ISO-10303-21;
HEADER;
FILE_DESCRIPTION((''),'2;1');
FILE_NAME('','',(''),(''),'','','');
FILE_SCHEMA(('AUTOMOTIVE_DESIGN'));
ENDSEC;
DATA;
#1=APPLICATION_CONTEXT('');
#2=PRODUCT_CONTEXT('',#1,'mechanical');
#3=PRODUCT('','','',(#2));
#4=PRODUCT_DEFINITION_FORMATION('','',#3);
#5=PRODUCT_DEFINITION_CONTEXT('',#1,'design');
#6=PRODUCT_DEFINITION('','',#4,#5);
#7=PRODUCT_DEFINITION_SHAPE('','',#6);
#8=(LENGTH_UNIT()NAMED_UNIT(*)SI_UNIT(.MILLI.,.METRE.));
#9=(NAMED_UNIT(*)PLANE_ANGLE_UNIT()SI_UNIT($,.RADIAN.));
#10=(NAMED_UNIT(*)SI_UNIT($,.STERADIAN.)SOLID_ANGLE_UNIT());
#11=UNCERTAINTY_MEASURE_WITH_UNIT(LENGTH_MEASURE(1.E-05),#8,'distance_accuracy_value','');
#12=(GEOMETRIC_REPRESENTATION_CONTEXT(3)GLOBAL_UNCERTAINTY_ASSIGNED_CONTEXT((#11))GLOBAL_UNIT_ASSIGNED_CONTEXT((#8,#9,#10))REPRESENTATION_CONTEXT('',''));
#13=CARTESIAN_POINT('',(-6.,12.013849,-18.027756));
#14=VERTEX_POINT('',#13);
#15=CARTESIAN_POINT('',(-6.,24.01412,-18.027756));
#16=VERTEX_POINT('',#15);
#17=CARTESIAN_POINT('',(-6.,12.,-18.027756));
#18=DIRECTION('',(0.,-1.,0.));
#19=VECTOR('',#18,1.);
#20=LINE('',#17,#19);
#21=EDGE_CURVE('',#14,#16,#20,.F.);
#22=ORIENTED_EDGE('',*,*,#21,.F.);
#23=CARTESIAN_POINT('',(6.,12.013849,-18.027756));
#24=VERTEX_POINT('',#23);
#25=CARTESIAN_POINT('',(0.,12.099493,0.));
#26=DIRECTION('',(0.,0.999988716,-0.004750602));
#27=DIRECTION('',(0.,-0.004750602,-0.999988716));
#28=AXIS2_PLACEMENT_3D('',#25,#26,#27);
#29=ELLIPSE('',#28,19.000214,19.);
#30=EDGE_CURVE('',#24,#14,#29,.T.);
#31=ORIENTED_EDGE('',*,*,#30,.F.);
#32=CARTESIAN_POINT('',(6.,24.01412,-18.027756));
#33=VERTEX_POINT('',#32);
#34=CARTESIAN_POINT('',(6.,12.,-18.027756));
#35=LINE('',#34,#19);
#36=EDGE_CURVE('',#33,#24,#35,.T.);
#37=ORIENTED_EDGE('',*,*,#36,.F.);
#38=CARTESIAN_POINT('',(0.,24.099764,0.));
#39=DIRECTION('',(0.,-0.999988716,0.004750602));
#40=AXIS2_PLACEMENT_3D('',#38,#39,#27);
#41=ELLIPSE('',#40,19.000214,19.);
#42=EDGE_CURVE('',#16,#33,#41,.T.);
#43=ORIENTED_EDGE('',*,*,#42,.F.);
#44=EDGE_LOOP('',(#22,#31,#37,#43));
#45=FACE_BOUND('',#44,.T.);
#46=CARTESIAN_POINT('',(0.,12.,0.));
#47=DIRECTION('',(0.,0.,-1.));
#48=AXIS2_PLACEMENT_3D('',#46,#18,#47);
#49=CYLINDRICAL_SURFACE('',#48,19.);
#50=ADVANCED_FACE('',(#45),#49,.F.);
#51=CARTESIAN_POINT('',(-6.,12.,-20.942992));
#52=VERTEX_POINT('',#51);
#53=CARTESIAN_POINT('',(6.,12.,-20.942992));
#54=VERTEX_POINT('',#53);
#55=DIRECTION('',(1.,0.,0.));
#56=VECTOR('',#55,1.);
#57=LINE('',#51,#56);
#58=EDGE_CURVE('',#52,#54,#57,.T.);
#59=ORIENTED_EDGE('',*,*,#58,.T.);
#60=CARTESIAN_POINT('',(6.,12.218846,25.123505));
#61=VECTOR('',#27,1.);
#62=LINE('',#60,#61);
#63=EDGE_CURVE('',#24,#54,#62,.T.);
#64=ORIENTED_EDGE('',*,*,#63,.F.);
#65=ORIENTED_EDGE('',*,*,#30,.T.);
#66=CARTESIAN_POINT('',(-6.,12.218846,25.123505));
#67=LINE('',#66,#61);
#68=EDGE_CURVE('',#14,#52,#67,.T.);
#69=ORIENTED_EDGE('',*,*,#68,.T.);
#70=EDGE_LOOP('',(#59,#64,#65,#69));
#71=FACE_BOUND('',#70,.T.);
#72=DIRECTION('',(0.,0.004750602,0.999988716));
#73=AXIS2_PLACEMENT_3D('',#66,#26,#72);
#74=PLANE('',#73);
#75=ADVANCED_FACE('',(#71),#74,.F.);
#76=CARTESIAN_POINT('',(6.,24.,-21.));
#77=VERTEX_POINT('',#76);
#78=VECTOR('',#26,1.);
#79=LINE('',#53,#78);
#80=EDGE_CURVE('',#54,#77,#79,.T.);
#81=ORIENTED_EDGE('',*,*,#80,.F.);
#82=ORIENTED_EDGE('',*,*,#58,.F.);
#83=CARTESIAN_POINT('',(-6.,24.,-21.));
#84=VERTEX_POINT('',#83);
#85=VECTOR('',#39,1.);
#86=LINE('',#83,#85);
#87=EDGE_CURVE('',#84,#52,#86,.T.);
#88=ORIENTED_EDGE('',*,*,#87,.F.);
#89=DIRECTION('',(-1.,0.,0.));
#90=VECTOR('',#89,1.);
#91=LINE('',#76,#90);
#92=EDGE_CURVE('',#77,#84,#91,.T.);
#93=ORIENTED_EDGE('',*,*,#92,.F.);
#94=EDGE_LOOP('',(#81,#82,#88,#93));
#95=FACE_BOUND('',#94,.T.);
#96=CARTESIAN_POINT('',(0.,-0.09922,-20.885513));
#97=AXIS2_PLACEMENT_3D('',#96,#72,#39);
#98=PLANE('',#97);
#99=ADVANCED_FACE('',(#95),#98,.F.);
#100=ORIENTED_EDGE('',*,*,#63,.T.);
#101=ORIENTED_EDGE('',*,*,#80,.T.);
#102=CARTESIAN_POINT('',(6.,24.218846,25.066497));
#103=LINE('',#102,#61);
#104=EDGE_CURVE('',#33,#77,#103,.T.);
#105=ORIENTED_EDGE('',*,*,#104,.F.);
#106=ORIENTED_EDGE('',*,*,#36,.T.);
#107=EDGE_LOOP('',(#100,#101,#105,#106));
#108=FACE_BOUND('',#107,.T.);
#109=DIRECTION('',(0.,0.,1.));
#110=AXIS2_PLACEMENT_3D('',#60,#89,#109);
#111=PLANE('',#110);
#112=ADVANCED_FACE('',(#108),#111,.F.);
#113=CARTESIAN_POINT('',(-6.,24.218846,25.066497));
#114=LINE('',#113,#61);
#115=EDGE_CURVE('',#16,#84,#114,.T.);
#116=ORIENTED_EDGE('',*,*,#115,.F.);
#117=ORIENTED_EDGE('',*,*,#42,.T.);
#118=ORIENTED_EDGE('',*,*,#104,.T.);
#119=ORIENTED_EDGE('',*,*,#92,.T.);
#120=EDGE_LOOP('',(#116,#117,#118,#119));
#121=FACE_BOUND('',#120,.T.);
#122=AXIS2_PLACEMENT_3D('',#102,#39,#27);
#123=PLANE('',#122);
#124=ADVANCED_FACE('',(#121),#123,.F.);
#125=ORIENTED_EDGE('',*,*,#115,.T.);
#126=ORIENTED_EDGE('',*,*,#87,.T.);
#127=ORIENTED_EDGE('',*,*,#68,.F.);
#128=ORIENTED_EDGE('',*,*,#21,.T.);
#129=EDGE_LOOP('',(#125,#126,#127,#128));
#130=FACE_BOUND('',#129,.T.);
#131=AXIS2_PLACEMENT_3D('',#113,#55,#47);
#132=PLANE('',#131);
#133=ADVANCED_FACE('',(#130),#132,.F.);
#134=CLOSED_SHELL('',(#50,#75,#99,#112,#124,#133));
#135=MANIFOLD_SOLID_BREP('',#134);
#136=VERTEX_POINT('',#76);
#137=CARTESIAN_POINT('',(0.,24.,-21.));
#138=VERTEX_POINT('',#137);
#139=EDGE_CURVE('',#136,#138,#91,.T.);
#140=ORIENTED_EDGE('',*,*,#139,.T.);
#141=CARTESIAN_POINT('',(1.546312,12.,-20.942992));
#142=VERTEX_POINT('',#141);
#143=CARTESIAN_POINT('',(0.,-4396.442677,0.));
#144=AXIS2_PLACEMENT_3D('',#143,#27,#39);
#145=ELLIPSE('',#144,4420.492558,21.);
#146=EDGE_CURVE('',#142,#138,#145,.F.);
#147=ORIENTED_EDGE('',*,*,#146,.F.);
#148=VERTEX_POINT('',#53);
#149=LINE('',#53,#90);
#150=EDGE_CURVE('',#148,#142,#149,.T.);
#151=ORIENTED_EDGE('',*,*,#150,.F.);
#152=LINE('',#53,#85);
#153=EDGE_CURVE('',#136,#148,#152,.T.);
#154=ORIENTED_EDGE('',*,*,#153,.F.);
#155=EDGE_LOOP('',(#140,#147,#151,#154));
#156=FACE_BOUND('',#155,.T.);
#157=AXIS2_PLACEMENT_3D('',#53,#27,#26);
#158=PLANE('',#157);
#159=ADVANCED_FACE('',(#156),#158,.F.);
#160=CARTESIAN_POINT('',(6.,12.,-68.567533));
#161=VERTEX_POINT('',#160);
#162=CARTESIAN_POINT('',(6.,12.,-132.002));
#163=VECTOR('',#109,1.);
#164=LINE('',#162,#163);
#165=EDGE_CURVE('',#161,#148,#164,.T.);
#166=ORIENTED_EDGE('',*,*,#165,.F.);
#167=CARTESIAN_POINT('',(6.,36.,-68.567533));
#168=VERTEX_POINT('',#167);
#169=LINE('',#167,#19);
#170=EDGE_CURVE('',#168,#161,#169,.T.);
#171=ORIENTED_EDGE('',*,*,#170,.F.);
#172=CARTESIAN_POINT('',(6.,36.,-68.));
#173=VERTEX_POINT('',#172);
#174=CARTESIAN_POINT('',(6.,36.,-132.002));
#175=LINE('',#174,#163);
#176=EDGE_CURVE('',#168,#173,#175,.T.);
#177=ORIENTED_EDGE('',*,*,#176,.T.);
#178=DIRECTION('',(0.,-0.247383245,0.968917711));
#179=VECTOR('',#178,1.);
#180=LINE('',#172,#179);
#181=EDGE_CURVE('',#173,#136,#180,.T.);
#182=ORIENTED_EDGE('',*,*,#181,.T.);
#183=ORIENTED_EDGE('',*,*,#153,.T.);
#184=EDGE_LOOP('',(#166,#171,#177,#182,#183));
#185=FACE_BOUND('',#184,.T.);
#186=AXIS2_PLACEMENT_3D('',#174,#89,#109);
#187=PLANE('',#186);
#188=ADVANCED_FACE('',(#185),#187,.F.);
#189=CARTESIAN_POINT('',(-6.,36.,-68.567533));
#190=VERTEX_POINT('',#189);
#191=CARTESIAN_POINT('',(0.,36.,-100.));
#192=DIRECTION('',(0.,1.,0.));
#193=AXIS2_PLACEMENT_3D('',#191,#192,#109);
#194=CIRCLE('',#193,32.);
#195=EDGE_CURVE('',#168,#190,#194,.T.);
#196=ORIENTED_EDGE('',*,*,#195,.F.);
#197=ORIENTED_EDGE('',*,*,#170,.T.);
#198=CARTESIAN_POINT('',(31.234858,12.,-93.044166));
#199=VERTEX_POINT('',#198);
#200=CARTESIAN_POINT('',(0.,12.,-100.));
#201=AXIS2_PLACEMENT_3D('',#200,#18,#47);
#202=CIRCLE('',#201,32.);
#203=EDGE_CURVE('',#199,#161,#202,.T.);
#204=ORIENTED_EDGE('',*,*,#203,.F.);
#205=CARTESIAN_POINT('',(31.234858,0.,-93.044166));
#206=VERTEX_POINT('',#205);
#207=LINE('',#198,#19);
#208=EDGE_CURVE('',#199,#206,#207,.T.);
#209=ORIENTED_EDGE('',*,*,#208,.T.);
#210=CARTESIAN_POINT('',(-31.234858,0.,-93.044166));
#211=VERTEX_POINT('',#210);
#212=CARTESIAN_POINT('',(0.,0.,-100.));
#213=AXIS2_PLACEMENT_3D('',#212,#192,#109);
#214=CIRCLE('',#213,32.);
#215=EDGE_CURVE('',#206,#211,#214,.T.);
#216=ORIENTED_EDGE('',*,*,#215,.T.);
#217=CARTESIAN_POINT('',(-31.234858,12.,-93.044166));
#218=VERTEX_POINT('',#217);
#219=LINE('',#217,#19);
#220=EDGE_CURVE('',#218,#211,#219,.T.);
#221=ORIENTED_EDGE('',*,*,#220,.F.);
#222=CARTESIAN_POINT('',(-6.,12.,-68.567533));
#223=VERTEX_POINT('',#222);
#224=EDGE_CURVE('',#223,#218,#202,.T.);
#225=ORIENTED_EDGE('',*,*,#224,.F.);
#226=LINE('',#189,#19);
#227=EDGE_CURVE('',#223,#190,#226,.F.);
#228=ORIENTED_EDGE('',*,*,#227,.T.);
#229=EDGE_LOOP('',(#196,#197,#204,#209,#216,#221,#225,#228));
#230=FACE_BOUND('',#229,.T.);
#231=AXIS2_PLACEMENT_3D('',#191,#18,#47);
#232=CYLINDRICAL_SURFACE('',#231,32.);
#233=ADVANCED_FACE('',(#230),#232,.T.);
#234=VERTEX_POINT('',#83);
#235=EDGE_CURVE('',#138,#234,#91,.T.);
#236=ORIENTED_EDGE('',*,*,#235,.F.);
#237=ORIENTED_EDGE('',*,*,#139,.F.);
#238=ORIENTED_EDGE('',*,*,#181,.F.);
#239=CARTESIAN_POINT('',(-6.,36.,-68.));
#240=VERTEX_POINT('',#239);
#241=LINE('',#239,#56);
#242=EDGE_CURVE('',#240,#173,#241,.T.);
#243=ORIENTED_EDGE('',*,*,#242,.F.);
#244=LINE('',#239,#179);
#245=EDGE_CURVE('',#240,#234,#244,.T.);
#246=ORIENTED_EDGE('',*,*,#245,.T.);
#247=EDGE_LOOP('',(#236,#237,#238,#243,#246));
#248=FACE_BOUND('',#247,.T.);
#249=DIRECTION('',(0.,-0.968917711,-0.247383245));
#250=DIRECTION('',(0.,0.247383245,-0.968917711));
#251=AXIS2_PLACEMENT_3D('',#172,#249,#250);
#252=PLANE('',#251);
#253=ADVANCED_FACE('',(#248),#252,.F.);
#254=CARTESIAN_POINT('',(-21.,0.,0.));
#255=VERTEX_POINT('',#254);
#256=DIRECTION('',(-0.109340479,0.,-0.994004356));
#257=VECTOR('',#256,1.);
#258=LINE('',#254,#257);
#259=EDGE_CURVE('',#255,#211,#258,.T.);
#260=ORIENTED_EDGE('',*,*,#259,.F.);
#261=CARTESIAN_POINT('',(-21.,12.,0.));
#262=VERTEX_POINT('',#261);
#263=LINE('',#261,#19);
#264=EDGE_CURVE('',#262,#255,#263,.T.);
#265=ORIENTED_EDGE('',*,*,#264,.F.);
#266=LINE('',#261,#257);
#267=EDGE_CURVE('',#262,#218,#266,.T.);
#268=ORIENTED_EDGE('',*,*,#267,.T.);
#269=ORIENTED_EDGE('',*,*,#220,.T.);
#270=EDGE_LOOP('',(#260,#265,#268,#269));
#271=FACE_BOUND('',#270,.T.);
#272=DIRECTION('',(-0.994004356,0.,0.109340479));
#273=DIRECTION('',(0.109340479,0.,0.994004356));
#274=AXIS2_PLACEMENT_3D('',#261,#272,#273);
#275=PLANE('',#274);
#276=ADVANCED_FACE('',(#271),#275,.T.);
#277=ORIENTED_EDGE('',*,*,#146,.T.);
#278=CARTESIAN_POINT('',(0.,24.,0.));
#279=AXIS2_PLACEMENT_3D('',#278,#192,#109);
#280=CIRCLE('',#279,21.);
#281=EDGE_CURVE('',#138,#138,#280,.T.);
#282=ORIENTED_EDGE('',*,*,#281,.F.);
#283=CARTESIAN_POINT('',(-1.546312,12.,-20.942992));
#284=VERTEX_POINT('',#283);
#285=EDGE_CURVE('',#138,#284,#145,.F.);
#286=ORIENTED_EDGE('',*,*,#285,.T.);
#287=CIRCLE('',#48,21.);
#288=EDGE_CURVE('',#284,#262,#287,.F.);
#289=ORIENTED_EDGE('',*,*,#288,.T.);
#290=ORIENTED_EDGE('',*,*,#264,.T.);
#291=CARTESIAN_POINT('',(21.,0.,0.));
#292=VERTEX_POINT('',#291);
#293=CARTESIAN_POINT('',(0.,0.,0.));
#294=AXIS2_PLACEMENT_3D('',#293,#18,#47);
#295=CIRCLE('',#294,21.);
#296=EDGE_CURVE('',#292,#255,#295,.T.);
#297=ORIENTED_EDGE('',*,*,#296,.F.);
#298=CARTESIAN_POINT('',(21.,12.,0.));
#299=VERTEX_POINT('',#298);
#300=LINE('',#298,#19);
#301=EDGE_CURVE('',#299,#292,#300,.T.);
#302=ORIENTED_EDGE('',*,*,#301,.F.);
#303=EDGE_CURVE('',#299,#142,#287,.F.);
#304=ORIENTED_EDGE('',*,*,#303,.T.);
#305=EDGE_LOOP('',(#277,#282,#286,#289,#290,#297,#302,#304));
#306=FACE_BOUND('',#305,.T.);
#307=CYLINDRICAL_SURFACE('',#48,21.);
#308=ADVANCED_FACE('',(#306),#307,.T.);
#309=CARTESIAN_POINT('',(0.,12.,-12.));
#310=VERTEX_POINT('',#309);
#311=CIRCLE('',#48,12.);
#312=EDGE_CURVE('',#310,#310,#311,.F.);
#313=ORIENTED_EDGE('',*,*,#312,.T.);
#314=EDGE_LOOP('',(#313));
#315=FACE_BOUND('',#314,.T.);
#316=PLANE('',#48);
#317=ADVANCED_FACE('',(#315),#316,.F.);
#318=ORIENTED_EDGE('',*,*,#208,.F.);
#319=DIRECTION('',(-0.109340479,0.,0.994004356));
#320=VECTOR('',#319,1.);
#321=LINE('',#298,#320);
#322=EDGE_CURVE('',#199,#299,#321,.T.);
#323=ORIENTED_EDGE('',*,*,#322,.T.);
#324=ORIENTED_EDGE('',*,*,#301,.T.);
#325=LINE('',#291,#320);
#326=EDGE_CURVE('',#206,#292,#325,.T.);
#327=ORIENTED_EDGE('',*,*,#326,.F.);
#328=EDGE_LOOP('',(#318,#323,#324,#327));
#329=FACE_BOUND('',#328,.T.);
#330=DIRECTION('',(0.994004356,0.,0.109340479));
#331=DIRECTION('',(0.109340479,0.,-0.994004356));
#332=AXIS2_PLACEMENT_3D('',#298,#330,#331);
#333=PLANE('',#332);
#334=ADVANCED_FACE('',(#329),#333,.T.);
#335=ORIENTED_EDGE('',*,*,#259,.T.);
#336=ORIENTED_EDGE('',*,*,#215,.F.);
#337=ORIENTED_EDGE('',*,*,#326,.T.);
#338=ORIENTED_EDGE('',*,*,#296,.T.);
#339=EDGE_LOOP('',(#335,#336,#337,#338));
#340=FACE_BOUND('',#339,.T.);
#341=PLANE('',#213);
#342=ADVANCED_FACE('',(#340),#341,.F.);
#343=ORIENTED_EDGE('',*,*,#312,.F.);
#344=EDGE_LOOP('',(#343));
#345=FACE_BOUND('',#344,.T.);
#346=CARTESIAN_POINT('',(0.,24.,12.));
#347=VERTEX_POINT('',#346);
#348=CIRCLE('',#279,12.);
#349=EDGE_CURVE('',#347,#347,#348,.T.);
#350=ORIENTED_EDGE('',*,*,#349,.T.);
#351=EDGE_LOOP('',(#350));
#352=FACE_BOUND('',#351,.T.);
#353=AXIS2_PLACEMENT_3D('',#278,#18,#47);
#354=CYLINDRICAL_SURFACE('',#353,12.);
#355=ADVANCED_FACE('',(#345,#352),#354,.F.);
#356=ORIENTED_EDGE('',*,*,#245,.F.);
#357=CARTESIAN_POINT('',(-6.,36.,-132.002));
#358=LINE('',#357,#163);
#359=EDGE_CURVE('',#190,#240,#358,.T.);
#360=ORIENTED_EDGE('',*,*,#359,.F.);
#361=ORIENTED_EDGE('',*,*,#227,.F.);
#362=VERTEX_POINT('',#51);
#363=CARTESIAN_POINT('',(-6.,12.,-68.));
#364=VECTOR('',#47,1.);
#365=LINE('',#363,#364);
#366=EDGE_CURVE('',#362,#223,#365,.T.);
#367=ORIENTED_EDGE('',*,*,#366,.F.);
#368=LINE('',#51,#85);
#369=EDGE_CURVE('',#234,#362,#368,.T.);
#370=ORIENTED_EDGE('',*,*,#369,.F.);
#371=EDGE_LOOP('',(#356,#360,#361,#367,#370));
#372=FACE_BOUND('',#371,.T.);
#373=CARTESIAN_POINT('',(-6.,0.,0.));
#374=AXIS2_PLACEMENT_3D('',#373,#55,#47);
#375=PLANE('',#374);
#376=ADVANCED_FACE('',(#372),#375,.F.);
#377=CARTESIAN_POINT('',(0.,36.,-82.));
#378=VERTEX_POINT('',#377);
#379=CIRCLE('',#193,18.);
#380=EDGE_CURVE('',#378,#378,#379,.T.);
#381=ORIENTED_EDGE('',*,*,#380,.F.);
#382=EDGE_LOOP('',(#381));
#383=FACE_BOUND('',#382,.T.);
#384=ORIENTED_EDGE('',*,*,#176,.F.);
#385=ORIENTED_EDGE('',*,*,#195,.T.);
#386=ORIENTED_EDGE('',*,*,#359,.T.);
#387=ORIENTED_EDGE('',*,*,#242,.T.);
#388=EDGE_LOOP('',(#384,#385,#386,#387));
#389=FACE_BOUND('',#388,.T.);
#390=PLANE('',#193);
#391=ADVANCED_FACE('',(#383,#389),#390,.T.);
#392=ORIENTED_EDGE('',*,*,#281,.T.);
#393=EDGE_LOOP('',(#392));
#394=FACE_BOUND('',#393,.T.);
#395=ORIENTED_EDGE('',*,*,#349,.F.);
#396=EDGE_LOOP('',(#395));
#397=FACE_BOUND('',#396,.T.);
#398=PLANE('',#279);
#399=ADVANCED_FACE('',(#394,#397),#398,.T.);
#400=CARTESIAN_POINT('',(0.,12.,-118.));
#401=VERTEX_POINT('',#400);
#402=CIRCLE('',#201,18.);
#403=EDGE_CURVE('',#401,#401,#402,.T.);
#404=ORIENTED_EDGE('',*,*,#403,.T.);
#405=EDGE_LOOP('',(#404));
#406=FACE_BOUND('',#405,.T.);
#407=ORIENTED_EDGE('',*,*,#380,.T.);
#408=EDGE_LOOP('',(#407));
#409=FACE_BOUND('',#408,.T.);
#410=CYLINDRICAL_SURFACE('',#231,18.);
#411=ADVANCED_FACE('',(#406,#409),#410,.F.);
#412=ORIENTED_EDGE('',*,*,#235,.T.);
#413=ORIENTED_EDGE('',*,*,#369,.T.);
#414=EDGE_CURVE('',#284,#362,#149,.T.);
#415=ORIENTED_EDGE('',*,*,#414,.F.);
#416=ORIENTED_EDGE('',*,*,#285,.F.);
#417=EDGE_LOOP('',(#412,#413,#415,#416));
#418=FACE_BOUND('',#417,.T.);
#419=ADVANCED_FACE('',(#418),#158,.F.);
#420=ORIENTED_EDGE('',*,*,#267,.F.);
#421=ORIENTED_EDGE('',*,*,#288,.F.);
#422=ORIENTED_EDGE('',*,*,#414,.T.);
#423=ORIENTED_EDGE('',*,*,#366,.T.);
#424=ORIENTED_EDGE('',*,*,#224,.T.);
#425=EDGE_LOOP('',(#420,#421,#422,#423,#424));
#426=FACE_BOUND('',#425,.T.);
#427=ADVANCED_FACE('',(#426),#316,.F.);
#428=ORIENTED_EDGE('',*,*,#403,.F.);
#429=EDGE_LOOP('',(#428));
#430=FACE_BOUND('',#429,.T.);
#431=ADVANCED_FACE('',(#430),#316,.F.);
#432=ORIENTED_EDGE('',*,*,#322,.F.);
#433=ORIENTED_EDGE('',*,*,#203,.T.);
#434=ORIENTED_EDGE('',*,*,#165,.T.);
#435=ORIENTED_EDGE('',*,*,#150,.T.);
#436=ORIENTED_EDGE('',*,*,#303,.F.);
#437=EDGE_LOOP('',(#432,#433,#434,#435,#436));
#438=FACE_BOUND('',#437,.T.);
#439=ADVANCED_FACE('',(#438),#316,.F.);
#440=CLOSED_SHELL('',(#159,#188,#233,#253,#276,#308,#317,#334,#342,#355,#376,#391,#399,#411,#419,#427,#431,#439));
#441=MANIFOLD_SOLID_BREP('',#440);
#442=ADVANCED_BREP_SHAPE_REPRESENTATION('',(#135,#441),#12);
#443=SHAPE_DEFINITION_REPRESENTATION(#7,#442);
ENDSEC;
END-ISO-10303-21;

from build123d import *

# Parameters (mm, degrees)
SKETCH1_R                 = 32
SKETCH1_R_2               = 18
BOSS_EXTRUDE1_DEPTH       = 36
SKETCH2_R                 = 21
SKETCH2_R_2               = 12
BOSS_EXTRUDE2_DEPTH       = 24
BOSS_EXTRUDE5_DEPTH       = 12
BOSS_EXTRUDE8_DEPTH       = 6
BOSS_EXTRUDE12_REACH      = 123.135
BOSS_EXTRUDE12_END_RADIUS = 19
SKETCH9_W                 = 12
SKETCH9_H                 = 12.000135411
SKETCH10_W                = 12
SKETCH10_H                = 24
BOSS_EXTRUDE13_DEPTH      = 0.567533


with BuildPart() as part:
    # Sketch1 → Boss-Extrude1 (new body)
    with BuildSketch(Plane(origin=(0, 0, 0), x_dir=(1, 0, 0), z_dir=(0, 1, 0))):
        with Locations(Location((0, 100, 0), (0, 0, 270))):
            Circle(SKETCH1_R)
        with Locations(Location((0, 100, 0), (0, 0, 270))):
            Circle(SKETCH1_R_2, mode=Mode.SUBTRACT)
    extrude(amount=BOSS_EXTRUDE1_DEPTH)



with BuildPart() as body_2:
    # Sketch2 → Boss-Extrude2 (new body)
    with BuildSketch(Plane(origin=(0, 0, 0), x_dir=(1, 0, 0), z_dir=(0, 1, 0))):
        with Locations(Location((0, 0, 0), (0, 0, 270))):
            Circle(SKETCH2_R)
        with Locations(Location((0, 0, 0), (0, 0, 270))):
            Circle(SKETCH2_R_2, mode=Mode.SUBTRACT)
    extrude(amount=BOSS_EXTRUDE2_DEPTH)


with BuildPart() as part_1:
    add(part.part)

    add(body_2.part)  # Boss-Extrude5 merges body 2
    # Sketch7 → Boss-Extrude5 (add)
    with BuildSketch(Plane(origin=(0, 0, 0), x_dir=(-1, 0, 0), z_dir=(0, -1, 0))):
        with BuildLine():
            Line((21, 0), (31.234858216, 93.044165596))
            ThreePointArc((31.234858216, 93.044165596), (0, 132), (-31.234858216, 93.044165596))
            Line((-31.234858216, 93.044165596), (-21, 0))
            ThreePointArc((-21, 0), (0, -21), (21, 0))
        make_face()
    extrude(amount=-BOSS_EXTRUDE5_DEPTH)



with BuildPart() as body_2_2:
    # Sketch8 → Boss-Extrude8 (new, symmetric)
    with BuildSketch(Plane(origin=(0, 0, 0), x_dir=(0, 0, -1), z_dir=(1, 0, 0))):
        Polygon((68, 12), (20.942992135, 12), (21, 24), (68, 36), align=None)
    extrude(amount=BOSS_EXTRUDE8_DEPTH, both=True)


with BuildPart() as body_3:
    # Boss-Extrude12: up to this cylinder (the profile starts outside it)
    boss_extrude12_end = Plane(origin=(0, 18, 0), z_dir=(0, -1, 0)) * Cylinder(BOSS_EXTRUDE12_END_RADIUS, 285.27, mode=Mode.PRIVATE)
    # Sketch9 → Boss-Extrude12 (new, up to the surface)
    with BuildSketch(Plane(origin=(0, -0.099219875, -20.88551291), x_dir=(1, 0, 0), z_dir=(0, 0.0047506018218450435, 0.9999887158274989)), mode=Mode.PRIVATE) as boss_extrude12_sk1:
        with Locations((0, 18.099424112)):
            Rectangle(SKETCH9_W, SKETCH9_H)
    boss_extrude12_tool1 = extrude(boss_extrude12_sk1.sketch, amount=BOSS_EXTRUDE12_REACH, mode=Mode.PRIVATE) - boss_extrude12_end
    add(boss_extrude12_tool1.solids().sort_by_distance((0, 18, -20.971496))[0])


with BuildPart() as part_2:
    add(part_1.part)

    add(body_2_2.part)  # Boss-Extrude13 merges body 2 2
    # Sketch10 → Boss-Extrude13 (add)
    with BuildSketch(Plane(origin=(0, 0, -68), x_dir=(-1, 0, 0), z_dir=(0, 0, -1))):
        with Locations((0, 24)):
            Rectangle(SKETCH10_W, SKETCH10_H)
    extrude(amount=BOSS_EXTRUDE13_DEPTH)


solid = Compound([body_3.part, part_2.part])
